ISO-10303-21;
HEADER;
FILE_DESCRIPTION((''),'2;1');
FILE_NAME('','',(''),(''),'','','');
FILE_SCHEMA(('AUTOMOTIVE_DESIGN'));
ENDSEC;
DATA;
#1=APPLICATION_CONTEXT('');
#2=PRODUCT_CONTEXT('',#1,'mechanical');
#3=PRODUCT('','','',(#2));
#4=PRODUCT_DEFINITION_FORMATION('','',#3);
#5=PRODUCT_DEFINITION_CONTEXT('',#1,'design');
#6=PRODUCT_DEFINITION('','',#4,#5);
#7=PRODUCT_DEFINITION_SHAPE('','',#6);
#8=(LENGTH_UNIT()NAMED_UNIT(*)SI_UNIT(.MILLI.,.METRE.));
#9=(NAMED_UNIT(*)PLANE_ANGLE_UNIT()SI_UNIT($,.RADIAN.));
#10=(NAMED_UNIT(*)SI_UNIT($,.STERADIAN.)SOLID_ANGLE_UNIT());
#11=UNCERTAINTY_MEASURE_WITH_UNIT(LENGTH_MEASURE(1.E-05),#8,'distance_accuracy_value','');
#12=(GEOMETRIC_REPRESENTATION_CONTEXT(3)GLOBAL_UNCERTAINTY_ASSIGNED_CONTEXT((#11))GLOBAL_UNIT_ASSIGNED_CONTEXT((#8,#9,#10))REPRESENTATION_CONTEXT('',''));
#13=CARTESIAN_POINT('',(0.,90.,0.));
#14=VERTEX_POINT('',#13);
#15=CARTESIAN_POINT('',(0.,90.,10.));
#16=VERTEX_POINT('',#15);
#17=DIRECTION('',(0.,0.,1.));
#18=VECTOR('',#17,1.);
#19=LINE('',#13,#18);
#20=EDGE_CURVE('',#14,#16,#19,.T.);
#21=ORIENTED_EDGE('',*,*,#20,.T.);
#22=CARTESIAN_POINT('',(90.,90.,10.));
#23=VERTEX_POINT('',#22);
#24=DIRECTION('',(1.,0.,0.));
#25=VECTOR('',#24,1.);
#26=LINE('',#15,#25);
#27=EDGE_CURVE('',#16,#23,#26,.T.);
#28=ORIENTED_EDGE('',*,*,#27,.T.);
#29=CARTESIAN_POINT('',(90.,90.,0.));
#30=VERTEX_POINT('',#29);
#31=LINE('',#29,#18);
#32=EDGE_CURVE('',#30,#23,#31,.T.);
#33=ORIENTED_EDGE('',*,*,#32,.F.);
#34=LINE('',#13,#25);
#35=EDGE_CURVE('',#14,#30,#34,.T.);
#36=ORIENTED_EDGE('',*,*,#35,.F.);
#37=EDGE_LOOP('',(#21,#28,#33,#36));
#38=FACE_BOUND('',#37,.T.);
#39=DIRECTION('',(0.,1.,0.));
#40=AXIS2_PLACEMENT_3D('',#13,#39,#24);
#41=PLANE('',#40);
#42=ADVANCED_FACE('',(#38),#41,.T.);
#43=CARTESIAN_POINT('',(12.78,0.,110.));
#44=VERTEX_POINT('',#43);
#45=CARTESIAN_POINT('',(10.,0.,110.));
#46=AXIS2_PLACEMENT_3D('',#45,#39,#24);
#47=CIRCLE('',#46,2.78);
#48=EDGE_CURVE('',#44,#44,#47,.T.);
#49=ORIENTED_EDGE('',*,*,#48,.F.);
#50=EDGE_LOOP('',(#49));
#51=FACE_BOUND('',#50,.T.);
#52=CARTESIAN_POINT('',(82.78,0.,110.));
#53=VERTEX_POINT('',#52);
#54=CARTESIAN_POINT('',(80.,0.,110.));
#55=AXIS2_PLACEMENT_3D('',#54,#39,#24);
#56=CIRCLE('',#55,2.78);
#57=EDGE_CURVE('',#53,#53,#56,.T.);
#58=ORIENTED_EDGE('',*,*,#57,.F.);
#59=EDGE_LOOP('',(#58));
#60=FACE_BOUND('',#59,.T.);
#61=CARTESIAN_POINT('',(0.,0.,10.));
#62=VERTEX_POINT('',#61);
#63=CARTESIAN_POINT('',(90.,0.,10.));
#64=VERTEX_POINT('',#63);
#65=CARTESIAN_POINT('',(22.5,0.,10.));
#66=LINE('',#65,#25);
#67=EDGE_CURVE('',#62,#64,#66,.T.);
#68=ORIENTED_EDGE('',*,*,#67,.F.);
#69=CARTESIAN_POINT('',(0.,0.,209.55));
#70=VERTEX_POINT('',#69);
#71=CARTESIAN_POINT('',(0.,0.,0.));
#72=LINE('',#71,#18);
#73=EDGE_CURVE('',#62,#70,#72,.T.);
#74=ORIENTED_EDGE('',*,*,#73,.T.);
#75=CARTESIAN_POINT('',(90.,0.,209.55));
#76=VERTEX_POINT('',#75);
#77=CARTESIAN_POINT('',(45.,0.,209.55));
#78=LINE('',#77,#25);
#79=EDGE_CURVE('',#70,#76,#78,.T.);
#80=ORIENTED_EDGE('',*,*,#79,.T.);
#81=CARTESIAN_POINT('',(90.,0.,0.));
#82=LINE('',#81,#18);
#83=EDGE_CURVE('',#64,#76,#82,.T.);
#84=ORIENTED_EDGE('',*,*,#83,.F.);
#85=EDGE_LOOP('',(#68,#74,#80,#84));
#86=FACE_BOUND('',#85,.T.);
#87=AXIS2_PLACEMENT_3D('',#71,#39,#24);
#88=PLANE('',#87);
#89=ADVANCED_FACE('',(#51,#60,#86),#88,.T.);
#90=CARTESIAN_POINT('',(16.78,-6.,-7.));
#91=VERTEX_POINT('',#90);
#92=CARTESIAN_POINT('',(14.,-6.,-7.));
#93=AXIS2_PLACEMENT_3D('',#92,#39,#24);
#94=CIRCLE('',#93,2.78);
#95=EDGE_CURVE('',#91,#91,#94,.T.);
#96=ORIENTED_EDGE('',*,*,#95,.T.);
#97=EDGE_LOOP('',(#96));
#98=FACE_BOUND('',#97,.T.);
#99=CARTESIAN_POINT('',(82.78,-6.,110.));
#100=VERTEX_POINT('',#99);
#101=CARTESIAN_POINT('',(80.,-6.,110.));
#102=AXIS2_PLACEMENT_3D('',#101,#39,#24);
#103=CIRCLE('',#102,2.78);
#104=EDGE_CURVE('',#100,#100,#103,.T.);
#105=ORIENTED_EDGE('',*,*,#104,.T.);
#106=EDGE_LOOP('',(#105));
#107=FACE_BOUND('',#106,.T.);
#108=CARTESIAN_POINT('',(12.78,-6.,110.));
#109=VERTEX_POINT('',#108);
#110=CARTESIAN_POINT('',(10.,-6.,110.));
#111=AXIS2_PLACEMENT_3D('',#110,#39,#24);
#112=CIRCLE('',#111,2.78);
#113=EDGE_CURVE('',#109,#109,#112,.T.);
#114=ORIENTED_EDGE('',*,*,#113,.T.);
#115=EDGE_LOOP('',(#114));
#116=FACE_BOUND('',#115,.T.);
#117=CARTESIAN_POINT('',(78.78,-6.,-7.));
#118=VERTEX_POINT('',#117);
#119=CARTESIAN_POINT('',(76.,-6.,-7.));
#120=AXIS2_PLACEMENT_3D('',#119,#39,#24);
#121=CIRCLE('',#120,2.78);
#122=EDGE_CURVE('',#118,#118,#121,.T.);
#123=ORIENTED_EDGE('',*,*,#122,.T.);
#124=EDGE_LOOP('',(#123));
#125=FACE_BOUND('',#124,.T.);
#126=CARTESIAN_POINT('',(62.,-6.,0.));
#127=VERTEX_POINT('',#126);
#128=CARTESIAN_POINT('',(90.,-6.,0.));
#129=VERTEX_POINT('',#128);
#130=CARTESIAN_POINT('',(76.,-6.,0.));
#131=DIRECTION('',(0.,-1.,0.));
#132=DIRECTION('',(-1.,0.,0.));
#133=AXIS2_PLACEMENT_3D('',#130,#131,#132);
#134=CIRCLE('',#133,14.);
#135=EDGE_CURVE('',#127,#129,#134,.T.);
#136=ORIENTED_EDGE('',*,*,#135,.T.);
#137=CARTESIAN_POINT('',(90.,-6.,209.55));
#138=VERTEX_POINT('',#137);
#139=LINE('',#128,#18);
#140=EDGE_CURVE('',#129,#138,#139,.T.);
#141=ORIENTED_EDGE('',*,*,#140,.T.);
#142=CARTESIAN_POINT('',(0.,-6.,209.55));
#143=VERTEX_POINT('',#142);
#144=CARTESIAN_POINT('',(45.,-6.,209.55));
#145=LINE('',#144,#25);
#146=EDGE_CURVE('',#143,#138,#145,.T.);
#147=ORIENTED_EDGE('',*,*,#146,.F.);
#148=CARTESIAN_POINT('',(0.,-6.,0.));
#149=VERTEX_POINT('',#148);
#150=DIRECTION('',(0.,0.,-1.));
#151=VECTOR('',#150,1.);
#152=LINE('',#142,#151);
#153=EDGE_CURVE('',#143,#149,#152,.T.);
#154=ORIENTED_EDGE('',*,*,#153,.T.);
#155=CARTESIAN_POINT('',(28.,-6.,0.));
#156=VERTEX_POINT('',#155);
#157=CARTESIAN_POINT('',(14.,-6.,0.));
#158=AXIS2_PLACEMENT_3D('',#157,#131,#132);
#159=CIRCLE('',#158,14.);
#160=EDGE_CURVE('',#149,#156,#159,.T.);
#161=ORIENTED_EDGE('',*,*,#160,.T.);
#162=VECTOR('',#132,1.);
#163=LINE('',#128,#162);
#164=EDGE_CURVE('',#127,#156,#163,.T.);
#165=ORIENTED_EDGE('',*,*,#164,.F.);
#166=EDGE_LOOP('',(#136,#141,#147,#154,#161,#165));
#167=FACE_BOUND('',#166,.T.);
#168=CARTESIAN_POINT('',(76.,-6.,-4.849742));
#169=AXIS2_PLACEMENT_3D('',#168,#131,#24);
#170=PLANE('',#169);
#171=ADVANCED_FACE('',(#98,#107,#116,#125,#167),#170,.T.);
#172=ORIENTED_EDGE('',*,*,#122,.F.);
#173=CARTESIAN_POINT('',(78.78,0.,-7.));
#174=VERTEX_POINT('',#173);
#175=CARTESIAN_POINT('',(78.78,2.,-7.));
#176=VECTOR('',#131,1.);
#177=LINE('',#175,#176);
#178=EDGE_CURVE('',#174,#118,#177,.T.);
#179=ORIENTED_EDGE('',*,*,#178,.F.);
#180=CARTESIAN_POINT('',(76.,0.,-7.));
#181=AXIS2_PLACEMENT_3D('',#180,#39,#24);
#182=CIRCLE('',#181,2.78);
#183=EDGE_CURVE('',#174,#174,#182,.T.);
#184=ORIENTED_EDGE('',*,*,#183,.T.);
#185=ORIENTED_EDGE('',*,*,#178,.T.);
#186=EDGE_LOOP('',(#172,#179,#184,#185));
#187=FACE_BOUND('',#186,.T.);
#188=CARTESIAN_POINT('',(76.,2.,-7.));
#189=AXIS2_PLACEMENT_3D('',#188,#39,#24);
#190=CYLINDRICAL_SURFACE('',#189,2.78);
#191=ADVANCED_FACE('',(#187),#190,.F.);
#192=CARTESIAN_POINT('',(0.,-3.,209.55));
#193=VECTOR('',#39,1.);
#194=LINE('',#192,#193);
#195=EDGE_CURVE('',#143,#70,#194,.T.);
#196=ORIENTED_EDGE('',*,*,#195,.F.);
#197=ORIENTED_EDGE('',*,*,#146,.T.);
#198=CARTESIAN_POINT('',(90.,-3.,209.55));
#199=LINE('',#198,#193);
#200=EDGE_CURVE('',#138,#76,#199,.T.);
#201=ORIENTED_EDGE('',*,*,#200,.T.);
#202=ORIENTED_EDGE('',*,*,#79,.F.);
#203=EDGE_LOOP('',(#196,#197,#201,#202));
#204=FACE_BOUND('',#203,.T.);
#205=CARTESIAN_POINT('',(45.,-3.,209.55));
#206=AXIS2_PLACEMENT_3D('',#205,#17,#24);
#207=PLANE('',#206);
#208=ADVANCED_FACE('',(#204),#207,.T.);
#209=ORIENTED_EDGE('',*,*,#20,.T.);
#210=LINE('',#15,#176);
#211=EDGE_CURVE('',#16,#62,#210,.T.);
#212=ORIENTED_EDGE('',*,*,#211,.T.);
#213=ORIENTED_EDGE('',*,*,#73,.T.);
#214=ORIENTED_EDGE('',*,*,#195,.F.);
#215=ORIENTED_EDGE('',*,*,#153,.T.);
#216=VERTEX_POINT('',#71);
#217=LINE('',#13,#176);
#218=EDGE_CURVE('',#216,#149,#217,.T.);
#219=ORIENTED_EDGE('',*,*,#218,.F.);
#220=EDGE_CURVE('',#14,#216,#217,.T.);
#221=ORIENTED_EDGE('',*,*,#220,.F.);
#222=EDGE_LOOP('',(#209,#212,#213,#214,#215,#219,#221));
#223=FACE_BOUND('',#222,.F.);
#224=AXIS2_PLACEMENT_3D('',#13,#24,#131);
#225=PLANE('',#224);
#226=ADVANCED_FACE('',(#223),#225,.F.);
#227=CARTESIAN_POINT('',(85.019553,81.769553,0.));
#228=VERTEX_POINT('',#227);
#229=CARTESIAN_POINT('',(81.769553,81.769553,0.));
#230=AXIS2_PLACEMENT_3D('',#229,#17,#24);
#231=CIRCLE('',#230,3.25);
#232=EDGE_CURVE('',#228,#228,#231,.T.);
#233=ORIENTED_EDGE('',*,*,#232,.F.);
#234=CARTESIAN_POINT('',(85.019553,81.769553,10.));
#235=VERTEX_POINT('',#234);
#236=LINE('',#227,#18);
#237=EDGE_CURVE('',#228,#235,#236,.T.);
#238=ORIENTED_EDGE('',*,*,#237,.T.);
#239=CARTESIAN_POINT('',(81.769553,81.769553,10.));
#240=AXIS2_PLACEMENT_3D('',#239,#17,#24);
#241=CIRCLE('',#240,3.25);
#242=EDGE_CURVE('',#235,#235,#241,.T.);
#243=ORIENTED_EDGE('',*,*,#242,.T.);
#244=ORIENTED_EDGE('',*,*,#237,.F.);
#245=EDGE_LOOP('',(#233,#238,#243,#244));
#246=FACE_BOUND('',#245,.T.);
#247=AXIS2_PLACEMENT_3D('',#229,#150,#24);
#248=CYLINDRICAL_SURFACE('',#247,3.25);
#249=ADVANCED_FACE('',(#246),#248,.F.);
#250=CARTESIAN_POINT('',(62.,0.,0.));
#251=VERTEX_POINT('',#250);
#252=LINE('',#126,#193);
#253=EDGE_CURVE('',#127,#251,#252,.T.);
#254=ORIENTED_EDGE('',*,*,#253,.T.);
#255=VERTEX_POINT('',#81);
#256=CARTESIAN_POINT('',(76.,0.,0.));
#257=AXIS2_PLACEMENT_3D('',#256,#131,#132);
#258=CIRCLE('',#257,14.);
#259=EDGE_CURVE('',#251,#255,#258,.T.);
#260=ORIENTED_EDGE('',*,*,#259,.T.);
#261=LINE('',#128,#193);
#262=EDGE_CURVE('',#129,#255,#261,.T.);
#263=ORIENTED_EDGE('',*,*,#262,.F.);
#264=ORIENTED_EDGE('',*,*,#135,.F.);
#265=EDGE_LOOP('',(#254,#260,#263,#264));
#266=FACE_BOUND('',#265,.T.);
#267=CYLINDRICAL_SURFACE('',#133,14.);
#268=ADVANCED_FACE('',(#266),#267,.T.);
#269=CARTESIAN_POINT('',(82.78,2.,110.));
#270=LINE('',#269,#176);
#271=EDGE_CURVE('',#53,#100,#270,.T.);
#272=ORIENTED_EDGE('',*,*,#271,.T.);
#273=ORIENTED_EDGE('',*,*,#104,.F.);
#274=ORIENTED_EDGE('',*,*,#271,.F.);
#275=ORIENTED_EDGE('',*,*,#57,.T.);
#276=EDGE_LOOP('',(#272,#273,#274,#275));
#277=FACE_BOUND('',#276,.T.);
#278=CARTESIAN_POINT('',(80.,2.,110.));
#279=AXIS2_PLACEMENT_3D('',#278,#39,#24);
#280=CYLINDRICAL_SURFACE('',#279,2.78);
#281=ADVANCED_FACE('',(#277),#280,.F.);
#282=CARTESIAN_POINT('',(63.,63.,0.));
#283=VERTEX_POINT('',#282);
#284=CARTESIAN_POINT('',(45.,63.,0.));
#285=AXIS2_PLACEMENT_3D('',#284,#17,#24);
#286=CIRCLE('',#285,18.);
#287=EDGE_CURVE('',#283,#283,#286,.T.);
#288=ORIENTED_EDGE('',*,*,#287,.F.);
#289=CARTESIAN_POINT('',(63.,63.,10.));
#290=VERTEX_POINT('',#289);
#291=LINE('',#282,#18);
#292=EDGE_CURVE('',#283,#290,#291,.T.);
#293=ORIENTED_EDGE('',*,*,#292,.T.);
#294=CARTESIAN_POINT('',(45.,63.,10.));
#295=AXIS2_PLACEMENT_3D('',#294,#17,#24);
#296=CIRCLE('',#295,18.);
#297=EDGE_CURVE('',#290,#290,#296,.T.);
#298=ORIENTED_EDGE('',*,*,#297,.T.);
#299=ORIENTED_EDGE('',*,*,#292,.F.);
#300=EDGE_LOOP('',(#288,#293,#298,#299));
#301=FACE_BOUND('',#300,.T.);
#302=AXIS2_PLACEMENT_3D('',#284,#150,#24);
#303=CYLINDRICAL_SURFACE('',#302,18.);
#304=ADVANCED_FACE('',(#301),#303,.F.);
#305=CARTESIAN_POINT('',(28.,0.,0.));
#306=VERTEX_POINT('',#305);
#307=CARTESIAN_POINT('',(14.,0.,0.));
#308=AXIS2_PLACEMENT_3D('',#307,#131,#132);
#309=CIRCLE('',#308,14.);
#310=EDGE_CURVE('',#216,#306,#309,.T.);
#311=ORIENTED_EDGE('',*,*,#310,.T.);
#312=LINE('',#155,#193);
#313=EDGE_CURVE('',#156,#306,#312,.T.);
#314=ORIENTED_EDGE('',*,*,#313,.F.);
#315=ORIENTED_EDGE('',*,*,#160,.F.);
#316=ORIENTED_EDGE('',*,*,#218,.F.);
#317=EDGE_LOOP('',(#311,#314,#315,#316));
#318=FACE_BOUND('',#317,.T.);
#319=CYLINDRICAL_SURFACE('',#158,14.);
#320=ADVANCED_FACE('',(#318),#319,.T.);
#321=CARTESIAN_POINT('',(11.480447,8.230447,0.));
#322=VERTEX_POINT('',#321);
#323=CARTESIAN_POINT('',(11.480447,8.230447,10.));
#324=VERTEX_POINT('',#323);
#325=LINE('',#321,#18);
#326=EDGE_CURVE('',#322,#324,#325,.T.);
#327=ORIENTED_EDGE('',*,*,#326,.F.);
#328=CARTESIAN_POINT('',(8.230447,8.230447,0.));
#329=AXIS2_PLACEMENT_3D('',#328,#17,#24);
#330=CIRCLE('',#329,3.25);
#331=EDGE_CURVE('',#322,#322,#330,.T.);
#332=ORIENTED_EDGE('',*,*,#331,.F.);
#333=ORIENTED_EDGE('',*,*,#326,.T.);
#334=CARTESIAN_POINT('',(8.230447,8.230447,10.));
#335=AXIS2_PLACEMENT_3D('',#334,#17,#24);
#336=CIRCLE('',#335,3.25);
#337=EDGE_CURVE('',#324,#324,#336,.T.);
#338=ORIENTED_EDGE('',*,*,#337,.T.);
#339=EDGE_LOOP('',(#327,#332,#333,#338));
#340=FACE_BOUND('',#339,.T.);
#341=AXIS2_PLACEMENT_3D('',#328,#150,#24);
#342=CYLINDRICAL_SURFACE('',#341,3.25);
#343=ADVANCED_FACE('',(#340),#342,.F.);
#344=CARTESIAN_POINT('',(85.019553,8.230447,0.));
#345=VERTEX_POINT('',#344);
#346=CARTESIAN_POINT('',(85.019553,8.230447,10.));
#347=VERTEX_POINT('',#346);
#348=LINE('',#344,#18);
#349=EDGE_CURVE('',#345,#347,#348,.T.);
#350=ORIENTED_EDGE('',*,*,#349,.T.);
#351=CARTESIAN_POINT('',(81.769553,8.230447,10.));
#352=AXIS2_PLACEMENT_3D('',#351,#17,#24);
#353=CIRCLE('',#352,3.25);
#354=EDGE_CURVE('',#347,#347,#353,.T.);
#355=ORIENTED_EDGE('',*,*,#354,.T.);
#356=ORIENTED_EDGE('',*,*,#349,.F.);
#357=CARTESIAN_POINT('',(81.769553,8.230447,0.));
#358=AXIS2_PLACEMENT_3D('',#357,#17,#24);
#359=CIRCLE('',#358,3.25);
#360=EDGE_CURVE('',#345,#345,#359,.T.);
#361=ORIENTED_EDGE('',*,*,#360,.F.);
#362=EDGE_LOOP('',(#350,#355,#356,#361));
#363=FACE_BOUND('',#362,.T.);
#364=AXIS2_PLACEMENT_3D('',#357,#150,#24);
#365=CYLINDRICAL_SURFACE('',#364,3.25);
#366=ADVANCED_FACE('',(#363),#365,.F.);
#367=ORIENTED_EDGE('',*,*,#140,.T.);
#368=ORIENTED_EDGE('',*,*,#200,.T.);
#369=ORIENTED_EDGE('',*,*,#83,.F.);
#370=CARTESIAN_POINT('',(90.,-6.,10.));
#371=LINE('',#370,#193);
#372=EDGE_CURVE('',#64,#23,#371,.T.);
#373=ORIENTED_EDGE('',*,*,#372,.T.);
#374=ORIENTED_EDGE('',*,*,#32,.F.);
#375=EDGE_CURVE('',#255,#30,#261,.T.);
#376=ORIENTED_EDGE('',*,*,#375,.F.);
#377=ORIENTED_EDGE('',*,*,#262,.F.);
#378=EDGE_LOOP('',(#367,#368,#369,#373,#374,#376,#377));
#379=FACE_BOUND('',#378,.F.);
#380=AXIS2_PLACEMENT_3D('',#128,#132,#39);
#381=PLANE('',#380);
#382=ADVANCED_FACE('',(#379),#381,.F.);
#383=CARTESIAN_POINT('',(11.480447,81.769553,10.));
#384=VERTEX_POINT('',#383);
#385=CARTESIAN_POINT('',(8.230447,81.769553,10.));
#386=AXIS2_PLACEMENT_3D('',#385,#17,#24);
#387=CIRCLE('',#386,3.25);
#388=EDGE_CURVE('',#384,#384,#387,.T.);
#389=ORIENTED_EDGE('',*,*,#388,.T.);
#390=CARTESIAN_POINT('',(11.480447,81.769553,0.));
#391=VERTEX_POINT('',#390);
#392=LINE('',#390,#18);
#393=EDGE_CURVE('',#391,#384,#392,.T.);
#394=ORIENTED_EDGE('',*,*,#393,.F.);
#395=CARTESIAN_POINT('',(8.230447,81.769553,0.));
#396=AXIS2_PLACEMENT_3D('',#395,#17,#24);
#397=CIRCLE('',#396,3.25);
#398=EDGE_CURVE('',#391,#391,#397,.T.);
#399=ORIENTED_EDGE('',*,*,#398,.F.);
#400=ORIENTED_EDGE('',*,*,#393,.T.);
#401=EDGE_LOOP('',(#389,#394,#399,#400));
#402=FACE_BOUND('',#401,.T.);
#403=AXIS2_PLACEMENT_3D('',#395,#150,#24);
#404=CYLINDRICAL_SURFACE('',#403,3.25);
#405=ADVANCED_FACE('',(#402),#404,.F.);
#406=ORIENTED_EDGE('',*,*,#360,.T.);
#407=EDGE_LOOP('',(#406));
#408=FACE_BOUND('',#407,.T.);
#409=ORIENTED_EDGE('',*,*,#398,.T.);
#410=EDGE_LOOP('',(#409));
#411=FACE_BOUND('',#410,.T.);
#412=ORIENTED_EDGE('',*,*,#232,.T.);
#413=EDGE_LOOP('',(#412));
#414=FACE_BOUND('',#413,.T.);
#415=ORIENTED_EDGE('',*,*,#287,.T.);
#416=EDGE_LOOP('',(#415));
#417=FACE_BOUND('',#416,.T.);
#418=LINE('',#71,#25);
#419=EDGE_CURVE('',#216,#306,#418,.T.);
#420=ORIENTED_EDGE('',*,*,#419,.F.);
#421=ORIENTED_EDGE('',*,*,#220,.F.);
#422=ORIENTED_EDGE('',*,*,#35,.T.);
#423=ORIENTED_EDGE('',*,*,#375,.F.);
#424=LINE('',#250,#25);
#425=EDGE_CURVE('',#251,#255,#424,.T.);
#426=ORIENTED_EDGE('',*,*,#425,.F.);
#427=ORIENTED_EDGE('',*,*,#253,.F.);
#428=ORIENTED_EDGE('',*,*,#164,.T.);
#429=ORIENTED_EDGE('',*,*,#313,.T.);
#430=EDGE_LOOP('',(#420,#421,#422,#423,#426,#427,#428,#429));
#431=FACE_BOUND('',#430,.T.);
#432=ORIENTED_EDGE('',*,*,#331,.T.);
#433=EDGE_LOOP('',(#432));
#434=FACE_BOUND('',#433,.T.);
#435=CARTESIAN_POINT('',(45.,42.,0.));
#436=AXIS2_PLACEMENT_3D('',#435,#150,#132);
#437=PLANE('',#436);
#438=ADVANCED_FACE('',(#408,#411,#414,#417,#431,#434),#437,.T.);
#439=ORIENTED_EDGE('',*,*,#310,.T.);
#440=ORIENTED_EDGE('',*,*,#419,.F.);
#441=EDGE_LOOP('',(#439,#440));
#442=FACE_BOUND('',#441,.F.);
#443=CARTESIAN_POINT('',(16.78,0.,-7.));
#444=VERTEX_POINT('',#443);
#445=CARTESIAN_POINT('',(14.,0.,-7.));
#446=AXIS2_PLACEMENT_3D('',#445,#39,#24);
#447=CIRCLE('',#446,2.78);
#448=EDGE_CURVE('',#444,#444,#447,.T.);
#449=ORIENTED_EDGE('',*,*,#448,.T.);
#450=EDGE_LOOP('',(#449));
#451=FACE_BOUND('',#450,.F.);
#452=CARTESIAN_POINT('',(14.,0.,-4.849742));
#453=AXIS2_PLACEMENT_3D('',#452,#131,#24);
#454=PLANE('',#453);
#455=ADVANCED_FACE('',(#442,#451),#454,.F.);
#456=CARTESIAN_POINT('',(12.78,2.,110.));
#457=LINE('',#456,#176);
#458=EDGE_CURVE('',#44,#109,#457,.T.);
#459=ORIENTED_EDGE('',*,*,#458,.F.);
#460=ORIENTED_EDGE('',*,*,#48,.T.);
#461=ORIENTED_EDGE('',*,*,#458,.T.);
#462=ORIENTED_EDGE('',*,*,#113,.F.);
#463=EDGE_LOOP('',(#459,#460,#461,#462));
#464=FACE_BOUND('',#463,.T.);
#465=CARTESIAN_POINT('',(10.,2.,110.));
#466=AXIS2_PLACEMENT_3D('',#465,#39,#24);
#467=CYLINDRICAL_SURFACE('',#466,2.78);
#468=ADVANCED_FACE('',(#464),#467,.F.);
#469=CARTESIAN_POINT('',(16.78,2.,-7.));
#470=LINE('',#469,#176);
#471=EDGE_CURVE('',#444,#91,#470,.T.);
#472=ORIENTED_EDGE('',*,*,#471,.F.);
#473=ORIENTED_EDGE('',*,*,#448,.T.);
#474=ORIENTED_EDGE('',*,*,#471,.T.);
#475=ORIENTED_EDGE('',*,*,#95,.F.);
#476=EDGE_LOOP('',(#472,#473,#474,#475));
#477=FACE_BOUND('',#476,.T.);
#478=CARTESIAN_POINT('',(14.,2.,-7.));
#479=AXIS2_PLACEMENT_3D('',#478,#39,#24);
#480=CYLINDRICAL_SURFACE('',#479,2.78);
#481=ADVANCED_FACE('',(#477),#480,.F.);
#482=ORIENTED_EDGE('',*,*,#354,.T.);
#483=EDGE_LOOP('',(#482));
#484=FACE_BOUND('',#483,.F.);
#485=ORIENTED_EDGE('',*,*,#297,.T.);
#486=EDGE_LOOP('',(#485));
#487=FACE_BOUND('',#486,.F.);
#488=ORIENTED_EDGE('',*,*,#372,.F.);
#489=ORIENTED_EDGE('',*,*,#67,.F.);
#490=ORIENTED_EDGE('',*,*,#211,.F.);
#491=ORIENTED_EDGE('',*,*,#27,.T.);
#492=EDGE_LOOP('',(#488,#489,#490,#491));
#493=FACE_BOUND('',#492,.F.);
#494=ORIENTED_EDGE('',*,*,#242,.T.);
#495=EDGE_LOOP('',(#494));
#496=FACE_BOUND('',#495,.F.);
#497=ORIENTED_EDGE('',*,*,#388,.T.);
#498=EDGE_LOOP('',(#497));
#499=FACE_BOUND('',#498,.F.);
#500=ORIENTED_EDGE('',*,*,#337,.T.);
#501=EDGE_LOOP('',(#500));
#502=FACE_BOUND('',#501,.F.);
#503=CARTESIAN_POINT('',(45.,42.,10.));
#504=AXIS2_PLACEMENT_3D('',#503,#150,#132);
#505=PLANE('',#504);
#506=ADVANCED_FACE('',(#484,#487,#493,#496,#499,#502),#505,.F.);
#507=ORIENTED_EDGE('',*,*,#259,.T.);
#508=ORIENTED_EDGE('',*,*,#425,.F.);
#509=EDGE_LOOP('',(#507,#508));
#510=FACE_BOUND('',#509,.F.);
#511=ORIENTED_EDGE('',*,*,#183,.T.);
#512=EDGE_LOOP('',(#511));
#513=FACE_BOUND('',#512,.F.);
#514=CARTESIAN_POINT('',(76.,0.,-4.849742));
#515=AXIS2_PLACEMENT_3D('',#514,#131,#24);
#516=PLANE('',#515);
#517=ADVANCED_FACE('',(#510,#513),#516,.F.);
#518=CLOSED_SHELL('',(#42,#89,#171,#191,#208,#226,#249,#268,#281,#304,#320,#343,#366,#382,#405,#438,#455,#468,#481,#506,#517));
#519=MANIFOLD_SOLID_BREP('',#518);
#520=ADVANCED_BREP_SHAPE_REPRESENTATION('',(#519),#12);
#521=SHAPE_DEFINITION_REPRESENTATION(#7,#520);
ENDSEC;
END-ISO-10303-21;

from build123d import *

# Parameters (mm, degrees)
CYLINDER_R        = 2.78
CYLINDER_DEPTH    = 10
CYLINDER001_R     = 2.78
CYLINDER001_DEPTH = 10
EXTRUDE002_DEPTH  = 6
CYLINDER003_R     = 2.78
CYLINDER003_DEPTH = 10
CYLINDER002_R     = 2.78
CYLINDER002_DEPTH = 10
SKETCH001_W       = 90
SKETCH001_H       = 6
EXTRUDE001_DEPTH  = 209.55
SKETCH_R          = 3.25
SKETCH_R_2        = 18
EXTRUDE_DEPTH     = 10


with BuildPart() as cylinder:
    # Cylinder → Cylinder (new body)
    with BuildSketch(Plane(origin=(14, 2, -7), x_dir=(1, 0, 0), z_dir=(0, -1, 0))):
        Circle(CYLINDER_R)
    extrude(amount=CYLINDER_DEPTH)


with BuildPart() as cylinder001:
    # Cylinder001 → Cylinder001 (new body)
    with BuildSketch(Plane(origin=(76, 2, -7), x_dir=(1, 0, 0), z_dir=(0, -1, 0))):
        Circle(CYLINDER001_R)
    extrude(amount=CYLINDER001_DEPTH)


with BuildPart() as cut001:
    # Sketch002 (on Face1 of Extrude001) → Extrude002 (new body)
    with BuildSketch(Plane.XZ.offset(6)):
        with BuildLine():
            ThreePointArc((0, 0), (14, -14), (28, 0))
            Line((0, 0), (28, 0))
        make_face()
        with BuildLine():
            ThreePointArc((62, 0), (76, -14), (90, 0))
            Line((62, 0), (90, 0))
        make_face()
    extrude(amount=-EXTRUDE002_DEPTH)

    # Cut: cut Cylinder001
    add(cylinder001.part, mode=Mode.SUBTRACT)

    # Cut001: cut Cylinder
    add(cylinder.part, mode=Mode.SUBTRACT)


with BuildPart() as cylinder003:
    # Cylinder003 → Cylinder003 (new body)
    with BuildSketch(Plane(origin=(80, 2, 110), x_dir=(1, 0, 0), z_dir=(0, -1, 0))):
        Circle(CYLINDER003_R)
    extrude(amount=CYLINDER003_DEPTH)


with BuildPart() as cylinder002:
    # Cylinder002 → Cylinder002 (new body)
    with BuildSketch(Plane(origin=(10, 2, 110), x_dir=(1, 0, 0), z_dir=(0, -1, 0))):
        Circle(CYLINDER002_R)
    extrude(amount=CYLINDER002_DEPTH)


with BuildPart() as cut003:
    # Sketch001 (on Sketch) → Extrude001 (new body)
    with BuildSketch(Plane.XY):
        with Locations((45, -3)):
            Rectangle(SKETCH001_W, SKETCH001_H)
    extrude(amount=EXTRUDE001_DEPTH)

    # Cut002: cut Cylinder002
    add(cylinder002.part, mode=Mode.SUBTRACT)

    # Cut003: cut Cylinder003
    add(cylinder003.part, mode=Mode.SUBTRACT)


with BuildPart() as fusion:
    # Sketch → Extrude (new body)
    with BuildSketch(Plane.XY):
        Polygon((0, 0), (0, 90), (90, 90), (90, 0), (90, -6), (0, -6), align=None)
        with Locations((8.230447, 81.769553)):
            Circle(SKETCH_R, mode=Mode.SUBTRACT)
        with Locations((81.769553, 81.769553)):
            Circle(SKETCH_R, mode=Mode.SUBTRACT)
        with Locations((81.769553, 8.230447)):
            Circle(SKETCH_R, mode=Mode.SUBTRACT)
        with Locations((8.230447, 8.230447)):
            Circle(SKETCH_R, mode=Mode.SUBTRACT)
        with Locations((45, 63)):
            Circle(SKETCH_R_2, mode=Mode.SUBTRACT)
    extrude(amount=EXTRUDE_DEPTH)

    # Fusion: union Cut001, Cut003
    add(cut001.part)
    add(cut003.part)


solid = fusion.part
